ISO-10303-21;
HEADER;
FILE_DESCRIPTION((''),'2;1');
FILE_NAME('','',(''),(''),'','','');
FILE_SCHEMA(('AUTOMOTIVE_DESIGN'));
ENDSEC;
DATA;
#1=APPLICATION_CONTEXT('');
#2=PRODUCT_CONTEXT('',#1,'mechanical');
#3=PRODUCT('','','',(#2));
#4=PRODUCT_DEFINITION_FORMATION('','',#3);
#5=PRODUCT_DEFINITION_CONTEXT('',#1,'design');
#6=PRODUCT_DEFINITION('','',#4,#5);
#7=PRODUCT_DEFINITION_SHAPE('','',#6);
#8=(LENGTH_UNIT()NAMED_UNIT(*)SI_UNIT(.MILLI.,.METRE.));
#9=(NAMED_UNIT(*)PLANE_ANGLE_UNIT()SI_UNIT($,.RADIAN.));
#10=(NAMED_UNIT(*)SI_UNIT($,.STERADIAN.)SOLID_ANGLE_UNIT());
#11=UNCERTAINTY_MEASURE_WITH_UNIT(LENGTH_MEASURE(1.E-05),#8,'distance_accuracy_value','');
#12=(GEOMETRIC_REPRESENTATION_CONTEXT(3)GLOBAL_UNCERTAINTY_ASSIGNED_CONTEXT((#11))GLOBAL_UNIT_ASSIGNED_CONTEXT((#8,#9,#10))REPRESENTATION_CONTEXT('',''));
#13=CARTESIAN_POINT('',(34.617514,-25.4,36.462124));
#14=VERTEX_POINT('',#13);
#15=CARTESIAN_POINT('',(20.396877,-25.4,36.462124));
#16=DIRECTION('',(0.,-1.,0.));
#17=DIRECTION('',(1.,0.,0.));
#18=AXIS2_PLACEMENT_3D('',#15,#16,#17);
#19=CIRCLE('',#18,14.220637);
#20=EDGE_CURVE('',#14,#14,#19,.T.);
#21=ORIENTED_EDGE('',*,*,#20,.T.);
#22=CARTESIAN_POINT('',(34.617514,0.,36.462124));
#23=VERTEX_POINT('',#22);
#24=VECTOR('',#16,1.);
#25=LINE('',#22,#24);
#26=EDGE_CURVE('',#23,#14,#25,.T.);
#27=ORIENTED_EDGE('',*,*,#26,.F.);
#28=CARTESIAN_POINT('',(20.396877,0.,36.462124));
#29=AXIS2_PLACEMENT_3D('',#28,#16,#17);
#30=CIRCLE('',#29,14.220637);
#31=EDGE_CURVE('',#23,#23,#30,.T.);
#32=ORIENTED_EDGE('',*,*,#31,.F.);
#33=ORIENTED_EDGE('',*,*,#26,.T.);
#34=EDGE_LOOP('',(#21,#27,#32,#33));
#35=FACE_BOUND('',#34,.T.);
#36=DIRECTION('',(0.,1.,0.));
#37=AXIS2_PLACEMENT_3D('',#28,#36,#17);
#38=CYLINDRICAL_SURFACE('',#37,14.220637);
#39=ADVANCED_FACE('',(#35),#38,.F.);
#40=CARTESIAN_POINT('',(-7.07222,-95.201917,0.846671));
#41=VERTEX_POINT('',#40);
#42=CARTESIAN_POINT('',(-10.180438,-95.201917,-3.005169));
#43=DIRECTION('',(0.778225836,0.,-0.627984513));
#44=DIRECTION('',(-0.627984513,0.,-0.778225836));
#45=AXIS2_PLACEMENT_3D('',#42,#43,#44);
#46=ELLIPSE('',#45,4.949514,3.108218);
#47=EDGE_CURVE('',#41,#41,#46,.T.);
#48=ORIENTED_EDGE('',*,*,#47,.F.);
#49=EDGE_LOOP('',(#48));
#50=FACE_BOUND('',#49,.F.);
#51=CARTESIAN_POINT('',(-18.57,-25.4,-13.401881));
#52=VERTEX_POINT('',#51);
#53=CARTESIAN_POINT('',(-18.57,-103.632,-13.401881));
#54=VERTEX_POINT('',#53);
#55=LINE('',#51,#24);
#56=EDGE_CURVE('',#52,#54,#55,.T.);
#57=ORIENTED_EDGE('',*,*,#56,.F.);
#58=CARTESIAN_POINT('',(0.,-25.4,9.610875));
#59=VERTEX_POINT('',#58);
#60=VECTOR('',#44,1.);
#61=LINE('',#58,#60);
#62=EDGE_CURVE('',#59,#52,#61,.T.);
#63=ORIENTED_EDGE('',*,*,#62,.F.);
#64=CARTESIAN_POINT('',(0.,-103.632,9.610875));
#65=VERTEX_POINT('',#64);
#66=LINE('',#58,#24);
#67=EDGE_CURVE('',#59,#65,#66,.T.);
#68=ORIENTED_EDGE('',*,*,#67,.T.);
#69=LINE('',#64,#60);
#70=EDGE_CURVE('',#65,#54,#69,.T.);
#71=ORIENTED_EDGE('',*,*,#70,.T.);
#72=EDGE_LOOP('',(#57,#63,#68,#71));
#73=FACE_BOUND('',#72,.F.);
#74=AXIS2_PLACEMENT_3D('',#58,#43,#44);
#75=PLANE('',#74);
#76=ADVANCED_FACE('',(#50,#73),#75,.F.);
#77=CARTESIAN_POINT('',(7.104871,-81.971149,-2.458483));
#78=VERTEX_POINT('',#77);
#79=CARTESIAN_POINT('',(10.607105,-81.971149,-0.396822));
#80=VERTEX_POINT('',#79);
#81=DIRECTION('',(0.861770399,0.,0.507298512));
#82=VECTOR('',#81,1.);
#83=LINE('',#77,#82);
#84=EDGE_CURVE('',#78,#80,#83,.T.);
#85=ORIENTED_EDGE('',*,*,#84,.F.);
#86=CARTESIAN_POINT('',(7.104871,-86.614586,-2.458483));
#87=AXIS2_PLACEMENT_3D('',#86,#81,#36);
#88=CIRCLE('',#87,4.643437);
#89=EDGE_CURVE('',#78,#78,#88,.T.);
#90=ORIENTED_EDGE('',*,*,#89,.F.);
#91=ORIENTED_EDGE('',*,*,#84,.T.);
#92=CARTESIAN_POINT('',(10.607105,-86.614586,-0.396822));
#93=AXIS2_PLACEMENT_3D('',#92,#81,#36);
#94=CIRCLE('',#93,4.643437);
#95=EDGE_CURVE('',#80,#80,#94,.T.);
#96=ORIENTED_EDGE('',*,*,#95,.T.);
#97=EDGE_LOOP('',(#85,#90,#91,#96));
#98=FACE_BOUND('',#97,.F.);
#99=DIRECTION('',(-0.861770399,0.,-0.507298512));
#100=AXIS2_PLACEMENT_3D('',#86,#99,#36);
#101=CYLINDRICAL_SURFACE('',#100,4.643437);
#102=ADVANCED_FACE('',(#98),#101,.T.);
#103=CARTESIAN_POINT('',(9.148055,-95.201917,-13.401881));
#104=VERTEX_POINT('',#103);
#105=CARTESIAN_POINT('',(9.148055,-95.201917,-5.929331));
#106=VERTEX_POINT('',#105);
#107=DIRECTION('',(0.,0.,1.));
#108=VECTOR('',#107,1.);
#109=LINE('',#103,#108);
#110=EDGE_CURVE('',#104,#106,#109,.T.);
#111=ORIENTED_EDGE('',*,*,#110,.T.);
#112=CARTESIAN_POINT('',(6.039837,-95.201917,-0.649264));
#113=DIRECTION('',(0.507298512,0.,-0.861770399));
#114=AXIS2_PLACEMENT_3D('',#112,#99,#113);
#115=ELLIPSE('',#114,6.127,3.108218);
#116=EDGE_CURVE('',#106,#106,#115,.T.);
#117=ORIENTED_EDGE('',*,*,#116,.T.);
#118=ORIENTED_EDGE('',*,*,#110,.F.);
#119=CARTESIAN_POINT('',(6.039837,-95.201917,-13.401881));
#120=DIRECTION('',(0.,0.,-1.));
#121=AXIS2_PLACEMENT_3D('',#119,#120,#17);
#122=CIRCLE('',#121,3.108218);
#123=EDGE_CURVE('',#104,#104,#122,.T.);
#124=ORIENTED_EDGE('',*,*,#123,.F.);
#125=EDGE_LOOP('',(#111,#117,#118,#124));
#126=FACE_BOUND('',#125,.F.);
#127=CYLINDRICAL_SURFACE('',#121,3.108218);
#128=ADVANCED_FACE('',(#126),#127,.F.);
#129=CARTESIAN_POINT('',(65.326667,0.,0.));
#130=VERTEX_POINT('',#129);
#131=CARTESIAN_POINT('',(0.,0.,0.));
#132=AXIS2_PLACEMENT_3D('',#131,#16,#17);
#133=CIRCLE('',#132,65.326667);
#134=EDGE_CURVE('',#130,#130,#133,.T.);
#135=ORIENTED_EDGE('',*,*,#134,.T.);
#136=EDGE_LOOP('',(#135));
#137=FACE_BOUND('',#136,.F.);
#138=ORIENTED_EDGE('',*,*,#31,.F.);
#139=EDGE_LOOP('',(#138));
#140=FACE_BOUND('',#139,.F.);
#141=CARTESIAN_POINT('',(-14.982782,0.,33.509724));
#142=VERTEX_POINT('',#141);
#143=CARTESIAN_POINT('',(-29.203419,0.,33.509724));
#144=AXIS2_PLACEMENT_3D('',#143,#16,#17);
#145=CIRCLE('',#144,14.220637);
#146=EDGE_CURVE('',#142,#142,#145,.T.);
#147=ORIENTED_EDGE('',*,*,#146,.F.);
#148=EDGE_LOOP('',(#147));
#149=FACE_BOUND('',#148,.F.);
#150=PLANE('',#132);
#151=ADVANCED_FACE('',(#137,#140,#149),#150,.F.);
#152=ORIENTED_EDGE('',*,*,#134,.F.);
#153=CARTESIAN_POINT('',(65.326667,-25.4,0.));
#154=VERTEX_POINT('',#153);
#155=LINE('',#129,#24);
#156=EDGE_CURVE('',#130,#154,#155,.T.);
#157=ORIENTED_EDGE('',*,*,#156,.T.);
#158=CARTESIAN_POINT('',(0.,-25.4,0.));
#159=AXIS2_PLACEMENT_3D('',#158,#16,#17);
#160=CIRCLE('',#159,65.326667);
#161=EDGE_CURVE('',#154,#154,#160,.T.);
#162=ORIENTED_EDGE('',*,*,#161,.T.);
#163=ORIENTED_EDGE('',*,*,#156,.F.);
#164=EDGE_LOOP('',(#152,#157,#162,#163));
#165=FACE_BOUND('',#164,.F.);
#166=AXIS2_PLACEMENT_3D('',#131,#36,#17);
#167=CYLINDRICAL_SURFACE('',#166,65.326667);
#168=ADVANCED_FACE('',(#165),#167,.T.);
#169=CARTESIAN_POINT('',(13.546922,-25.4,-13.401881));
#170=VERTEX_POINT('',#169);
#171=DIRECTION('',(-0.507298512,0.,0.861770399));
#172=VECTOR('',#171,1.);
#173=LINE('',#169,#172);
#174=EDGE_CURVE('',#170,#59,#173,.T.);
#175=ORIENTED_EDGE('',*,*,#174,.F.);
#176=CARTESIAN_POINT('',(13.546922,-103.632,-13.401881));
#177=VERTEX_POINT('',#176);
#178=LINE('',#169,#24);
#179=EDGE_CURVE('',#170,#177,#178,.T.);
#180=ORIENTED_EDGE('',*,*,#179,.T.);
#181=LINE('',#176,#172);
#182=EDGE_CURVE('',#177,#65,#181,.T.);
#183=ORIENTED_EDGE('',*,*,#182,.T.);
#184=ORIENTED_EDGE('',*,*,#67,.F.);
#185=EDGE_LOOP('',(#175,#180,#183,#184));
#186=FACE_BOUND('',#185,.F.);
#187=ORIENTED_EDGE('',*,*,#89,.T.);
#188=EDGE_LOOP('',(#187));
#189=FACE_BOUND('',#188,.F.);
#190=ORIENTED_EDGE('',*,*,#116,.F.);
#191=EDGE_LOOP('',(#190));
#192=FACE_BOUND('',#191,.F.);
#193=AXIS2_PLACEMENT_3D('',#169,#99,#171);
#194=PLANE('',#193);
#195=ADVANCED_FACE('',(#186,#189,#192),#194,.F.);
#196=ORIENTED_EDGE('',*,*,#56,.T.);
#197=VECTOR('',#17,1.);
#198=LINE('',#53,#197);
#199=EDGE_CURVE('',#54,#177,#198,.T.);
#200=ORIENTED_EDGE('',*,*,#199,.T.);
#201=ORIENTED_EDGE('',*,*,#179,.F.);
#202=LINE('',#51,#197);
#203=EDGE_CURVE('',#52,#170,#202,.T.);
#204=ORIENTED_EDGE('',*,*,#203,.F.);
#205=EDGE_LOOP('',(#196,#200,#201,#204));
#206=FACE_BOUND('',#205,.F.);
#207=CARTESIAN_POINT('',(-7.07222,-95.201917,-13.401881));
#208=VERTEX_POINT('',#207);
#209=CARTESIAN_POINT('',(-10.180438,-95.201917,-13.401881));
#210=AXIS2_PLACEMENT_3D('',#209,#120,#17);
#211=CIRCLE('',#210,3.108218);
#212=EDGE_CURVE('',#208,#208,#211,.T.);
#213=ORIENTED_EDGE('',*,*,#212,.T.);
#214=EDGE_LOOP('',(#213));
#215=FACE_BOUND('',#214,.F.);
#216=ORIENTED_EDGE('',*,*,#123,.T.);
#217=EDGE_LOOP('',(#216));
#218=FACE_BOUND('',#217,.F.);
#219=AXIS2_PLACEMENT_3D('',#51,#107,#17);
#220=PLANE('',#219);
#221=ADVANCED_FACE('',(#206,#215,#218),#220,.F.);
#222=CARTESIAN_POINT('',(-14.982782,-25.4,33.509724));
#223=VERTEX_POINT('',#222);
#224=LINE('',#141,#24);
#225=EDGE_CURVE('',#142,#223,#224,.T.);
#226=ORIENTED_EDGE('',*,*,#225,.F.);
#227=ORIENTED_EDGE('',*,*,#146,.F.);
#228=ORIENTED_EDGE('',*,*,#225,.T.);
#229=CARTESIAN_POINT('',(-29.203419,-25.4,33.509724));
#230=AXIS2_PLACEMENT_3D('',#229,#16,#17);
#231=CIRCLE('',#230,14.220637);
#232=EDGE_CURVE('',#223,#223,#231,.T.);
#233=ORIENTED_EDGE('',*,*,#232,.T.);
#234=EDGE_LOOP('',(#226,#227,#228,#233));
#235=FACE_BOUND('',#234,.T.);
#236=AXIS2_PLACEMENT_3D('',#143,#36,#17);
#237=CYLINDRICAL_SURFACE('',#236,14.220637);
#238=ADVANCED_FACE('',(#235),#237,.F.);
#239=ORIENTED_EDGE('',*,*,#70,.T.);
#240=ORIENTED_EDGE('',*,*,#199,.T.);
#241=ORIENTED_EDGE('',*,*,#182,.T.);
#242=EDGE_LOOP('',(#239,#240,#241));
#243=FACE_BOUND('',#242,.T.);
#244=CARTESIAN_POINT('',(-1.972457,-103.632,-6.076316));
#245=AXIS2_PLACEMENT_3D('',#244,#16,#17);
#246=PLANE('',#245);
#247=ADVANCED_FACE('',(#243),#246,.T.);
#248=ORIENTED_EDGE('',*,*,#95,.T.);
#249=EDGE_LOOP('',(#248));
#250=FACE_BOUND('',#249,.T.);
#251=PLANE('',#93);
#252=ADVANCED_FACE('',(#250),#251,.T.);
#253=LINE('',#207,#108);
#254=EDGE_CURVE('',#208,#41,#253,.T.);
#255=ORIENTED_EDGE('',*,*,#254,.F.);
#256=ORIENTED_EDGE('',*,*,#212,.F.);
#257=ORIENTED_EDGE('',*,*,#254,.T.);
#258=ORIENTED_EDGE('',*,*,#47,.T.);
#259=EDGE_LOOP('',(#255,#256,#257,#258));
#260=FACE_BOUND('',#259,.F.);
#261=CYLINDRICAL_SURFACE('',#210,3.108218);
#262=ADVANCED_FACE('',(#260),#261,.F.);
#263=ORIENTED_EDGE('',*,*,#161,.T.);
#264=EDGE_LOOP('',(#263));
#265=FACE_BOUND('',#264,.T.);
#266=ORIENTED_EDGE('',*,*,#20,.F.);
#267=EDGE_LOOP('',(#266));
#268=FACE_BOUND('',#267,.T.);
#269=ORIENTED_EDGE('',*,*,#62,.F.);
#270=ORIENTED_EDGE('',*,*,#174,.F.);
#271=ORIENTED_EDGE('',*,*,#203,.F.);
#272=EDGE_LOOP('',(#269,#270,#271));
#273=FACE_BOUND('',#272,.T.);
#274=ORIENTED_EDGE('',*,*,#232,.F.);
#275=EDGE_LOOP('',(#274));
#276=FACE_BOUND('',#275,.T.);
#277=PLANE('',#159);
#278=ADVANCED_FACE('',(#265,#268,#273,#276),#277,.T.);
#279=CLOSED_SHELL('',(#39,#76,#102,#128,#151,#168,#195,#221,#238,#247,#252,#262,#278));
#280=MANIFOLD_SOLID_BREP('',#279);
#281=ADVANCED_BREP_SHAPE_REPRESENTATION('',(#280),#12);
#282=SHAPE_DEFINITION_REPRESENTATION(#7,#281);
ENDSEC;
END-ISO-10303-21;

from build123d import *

# Parameters (mm, degrees)
F0_R     = 65.3266665863
F0_R_2   = 14.2206371293
F1_DEPTH = 25.4
F3_DEPTH = 78.232
F4_R     = 4.6434374505
F5_DEPTH = 4.064
F6_R     = 3.1082181898
F7_DEPTH = 28.956


with BuildPart() as f1:
    # F0 (on Front) → F1 (new body)
    with BuildSketch(Plane.XZ):
        Circle(F0_R)
        with Locations((-29.2034186423, 33.5097238421)):
            Circle(F0_R_2, mode=Mode.SUBTRACT)
        with Locations((20.3968770802, 36.4621244371)):
            Circle(F0_R_2, mode=Mode.SUBTRACT)
    extrude(amount=F1_DEPTH)

    # F2 (on face) → F3 (join)
    with BuildSketch(Plane.XZ.offset(25.4)):
        Polygon((13.5469222441, -13.4018808603), (0, 9.6108745784), (-18.5700003058, -13.4018808603), align=None)
    extrude(amount=F3_DEPTH)

    # F4 (on face) → F5 (join)
    with BuildSketch(Plane(origin=(4.2016325623, 0, 2.4733756795), x_dir=(0, 1, 0), z_dir=(0.8617703987, 0, 0.5072985117))):
        with Locations((-86.6145864129, -5.7229381055)):
            Circle(F4_R)
    extrude(amount=F5_DEPTH)

    # F6 (on face) → F7 (cut)
    with BuildSketch(Plane(origin=(0, 0, -13.4018808603), x_dir=(1, 0, 0), z_dir=(0, 0, -1))):
        with Locations((-10.1804379374, 95.2019169927)):
            Circle(F6_R)
        with Locations((6.03983727, 95.2019169927)):
            Circle(F6_R)
    extrude(amount=-F7_DEPTH, mode=Mode.SUBTRACT)


solid = f1.part
